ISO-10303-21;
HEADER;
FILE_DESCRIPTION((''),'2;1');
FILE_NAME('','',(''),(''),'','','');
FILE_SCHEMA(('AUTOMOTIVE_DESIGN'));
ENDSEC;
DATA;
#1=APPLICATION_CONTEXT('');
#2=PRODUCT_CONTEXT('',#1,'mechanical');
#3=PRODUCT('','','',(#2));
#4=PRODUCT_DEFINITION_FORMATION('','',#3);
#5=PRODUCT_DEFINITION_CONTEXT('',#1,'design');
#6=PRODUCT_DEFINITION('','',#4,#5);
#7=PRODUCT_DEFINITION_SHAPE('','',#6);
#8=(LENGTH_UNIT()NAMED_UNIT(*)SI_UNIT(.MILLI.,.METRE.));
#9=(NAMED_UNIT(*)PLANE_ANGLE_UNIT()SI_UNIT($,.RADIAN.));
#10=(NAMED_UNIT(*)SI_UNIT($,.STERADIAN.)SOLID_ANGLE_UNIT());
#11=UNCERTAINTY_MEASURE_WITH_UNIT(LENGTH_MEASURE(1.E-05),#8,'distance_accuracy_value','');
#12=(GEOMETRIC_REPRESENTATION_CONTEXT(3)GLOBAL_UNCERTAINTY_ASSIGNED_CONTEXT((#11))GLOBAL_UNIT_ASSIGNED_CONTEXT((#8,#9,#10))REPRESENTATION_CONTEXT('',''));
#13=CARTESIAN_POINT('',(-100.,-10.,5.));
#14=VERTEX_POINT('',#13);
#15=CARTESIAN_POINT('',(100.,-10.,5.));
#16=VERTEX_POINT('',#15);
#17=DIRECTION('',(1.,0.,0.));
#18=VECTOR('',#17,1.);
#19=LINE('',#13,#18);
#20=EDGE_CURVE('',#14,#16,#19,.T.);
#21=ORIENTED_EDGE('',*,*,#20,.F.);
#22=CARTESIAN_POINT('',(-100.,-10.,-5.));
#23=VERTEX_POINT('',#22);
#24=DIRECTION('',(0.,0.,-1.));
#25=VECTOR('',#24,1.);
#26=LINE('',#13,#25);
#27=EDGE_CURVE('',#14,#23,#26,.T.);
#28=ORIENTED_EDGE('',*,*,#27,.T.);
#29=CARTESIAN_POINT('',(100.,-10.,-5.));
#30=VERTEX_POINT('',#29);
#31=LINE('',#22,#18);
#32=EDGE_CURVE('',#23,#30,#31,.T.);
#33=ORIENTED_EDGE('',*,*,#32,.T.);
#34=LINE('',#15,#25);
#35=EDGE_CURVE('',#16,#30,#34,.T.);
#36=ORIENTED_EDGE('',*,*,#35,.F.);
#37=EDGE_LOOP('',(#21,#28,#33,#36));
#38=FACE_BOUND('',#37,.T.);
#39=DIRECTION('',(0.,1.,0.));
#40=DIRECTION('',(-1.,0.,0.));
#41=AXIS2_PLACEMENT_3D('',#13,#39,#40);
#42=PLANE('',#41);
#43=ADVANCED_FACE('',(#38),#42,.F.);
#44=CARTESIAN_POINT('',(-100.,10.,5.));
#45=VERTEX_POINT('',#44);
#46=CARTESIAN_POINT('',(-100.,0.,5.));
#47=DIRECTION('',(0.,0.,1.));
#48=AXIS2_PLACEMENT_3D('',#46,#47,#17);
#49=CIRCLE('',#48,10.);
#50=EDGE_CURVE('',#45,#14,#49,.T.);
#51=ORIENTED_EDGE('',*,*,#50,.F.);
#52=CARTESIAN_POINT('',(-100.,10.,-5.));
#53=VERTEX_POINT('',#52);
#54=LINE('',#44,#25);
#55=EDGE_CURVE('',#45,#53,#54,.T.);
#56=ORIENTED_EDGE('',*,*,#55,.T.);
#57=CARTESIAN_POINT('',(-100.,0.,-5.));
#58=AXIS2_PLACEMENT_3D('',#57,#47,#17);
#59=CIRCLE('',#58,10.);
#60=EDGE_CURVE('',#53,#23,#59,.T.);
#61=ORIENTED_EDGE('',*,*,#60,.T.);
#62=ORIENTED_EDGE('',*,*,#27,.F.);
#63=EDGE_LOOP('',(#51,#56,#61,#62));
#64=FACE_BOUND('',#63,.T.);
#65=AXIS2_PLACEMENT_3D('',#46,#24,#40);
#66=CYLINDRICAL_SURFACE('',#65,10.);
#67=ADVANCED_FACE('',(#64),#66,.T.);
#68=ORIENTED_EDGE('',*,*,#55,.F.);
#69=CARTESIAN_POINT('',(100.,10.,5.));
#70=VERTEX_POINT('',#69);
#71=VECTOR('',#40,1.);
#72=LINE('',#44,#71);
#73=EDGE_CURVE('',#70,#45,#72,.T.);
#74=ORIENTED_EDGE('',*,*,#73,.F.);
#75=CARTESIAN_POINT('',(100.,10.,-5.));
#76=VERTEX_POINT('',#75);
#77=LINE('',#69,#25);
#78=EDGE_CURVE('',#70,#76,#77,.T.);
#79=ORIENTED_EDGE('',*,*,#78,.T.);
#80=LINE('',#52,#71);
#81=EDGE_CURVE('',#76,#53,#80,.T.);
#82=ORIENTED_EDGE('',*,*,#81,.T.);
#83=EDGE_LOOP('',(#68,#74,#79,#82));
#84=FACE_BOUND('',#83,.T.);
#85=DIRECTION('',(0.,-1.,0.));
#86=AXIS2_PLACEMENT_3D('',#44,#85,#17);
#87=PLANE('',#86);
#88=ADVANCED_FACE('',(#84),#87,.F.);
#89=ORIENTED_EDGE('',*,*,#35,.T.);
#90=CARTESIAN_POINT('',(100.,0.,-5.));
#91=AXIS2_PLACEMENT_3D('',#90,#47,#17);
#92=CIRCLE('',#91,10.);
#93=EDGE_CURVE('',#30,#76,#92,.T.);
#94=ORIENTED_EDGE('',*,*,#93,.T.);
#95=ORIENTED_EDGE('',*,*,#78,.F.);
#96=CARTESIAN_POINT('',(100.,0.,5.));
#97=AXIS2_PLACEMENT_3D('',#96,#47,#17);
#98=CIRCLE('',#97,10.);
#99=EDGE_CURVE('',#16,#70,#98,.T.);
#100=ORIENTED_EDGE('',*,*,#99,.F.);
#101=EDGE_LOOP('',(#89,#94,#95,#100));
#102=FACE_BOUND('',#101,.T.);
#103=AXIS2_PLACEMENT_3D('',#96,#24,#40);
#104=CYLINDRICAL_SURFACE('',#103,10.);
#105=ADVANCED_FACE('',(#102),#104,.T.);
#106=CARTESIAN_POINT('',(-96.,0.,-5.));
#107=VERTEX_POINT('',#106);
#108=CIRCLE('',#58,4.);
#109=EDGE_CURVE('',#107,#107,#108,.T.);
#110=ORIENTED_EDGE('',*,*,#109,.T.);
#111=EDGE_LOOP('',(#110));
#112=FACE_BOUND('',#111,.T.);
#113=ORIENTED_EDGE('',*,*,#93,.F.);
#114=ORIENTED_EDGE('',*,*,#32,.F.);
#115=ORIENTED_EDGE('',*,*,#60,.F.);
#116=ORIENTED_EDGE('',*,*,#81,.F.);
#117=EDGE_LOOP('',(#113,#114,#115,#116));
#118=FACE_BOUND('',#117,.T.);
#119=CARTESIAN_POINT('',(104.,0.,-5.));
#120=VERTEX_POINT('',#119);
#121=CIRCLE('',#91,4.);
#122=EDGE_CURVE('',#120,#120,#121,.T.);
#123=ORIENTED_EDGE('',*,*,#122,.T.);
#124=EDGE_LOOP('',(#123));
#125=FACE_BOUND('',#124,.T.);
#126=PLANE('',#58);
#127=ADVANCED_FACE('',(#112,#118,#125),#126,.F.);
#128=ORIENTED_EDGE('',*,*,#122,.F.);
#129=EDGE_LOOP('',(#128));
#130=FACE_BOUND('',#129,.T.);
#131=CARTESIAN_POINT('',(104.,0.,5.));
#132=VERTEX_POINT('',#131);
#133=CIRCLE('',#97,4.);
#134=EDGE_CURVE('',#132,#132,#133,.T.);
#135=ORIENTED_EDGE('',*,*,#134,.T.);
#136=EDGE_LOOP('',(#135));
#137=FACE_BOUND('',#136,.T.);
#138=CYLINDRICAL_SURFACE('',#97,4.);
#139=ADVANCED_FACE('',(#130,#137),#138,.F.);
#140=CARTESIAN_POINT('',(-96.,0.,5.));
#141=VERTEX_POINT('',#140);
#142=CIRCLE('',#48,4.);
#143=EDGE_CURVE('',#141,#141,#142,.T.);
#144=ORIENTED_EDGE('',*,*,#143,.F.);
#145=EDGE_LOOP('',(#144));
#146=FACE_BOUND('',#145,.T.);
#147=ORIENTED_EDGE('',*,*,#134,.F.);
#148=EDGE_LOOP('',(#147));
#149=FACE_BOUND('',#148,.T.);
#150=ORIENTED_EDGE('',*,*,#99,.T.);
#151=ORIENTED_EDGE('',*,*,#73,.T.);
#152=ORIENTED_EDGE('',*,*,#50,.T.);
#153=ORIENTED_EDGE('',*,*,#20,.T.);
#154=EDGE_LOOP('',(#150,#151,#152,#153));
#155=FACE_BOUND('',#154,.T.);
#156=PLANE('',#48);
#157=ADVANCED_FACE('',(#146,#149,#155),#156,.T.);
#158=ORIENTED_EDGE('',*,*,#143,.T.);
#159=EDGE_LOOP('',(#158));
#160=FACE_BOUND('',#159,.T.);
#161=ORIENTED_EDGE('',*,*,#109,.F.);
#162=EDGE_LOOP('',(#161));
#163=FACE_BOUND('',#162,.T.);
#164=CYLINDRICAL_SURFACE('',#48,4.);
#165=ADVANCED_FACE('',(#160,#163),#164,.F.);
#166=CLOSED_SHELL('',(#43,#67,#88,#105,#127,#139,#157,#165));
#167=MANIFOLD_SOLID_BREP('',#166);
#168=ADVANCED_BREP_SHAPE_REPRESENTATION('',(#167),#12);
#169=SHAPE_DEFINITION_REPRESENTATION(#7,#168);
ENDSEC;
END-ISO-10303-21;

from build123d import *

# Parameters (mm, degrees)
BOSS_EXTRUDE1_DEPTH   = 5
F_8_0MM_DOWEL_HOLE1_D = 8


with BuildPart() as part:
    # Sketch1 → Boss-Extrude1 (new, symmetric)
    with BuildSketch(Plane.XY):
        with BuildLine():
            Line((-100, 10), (100, 10))
            ThreePointArc((100, 10), (110, 0), (100, -10))
            Line((100, -10), (-100, -10))
            ThreePointArc((-100, -10), (-110, 0), (-100, 10))
        make_face()
    extrude(amount=BOSS_EXTRUDE1_DEPTH, both=True)

    # Ø8.0mm Dowel Hole1 (through all)
    with Locations(Plane.XY.offset(5)):
        with Locations((-100, 0), (100, 0)):
            Hole(F_8_0MM_DOWEL_HOLE1_D / 2)


solid = part.part
